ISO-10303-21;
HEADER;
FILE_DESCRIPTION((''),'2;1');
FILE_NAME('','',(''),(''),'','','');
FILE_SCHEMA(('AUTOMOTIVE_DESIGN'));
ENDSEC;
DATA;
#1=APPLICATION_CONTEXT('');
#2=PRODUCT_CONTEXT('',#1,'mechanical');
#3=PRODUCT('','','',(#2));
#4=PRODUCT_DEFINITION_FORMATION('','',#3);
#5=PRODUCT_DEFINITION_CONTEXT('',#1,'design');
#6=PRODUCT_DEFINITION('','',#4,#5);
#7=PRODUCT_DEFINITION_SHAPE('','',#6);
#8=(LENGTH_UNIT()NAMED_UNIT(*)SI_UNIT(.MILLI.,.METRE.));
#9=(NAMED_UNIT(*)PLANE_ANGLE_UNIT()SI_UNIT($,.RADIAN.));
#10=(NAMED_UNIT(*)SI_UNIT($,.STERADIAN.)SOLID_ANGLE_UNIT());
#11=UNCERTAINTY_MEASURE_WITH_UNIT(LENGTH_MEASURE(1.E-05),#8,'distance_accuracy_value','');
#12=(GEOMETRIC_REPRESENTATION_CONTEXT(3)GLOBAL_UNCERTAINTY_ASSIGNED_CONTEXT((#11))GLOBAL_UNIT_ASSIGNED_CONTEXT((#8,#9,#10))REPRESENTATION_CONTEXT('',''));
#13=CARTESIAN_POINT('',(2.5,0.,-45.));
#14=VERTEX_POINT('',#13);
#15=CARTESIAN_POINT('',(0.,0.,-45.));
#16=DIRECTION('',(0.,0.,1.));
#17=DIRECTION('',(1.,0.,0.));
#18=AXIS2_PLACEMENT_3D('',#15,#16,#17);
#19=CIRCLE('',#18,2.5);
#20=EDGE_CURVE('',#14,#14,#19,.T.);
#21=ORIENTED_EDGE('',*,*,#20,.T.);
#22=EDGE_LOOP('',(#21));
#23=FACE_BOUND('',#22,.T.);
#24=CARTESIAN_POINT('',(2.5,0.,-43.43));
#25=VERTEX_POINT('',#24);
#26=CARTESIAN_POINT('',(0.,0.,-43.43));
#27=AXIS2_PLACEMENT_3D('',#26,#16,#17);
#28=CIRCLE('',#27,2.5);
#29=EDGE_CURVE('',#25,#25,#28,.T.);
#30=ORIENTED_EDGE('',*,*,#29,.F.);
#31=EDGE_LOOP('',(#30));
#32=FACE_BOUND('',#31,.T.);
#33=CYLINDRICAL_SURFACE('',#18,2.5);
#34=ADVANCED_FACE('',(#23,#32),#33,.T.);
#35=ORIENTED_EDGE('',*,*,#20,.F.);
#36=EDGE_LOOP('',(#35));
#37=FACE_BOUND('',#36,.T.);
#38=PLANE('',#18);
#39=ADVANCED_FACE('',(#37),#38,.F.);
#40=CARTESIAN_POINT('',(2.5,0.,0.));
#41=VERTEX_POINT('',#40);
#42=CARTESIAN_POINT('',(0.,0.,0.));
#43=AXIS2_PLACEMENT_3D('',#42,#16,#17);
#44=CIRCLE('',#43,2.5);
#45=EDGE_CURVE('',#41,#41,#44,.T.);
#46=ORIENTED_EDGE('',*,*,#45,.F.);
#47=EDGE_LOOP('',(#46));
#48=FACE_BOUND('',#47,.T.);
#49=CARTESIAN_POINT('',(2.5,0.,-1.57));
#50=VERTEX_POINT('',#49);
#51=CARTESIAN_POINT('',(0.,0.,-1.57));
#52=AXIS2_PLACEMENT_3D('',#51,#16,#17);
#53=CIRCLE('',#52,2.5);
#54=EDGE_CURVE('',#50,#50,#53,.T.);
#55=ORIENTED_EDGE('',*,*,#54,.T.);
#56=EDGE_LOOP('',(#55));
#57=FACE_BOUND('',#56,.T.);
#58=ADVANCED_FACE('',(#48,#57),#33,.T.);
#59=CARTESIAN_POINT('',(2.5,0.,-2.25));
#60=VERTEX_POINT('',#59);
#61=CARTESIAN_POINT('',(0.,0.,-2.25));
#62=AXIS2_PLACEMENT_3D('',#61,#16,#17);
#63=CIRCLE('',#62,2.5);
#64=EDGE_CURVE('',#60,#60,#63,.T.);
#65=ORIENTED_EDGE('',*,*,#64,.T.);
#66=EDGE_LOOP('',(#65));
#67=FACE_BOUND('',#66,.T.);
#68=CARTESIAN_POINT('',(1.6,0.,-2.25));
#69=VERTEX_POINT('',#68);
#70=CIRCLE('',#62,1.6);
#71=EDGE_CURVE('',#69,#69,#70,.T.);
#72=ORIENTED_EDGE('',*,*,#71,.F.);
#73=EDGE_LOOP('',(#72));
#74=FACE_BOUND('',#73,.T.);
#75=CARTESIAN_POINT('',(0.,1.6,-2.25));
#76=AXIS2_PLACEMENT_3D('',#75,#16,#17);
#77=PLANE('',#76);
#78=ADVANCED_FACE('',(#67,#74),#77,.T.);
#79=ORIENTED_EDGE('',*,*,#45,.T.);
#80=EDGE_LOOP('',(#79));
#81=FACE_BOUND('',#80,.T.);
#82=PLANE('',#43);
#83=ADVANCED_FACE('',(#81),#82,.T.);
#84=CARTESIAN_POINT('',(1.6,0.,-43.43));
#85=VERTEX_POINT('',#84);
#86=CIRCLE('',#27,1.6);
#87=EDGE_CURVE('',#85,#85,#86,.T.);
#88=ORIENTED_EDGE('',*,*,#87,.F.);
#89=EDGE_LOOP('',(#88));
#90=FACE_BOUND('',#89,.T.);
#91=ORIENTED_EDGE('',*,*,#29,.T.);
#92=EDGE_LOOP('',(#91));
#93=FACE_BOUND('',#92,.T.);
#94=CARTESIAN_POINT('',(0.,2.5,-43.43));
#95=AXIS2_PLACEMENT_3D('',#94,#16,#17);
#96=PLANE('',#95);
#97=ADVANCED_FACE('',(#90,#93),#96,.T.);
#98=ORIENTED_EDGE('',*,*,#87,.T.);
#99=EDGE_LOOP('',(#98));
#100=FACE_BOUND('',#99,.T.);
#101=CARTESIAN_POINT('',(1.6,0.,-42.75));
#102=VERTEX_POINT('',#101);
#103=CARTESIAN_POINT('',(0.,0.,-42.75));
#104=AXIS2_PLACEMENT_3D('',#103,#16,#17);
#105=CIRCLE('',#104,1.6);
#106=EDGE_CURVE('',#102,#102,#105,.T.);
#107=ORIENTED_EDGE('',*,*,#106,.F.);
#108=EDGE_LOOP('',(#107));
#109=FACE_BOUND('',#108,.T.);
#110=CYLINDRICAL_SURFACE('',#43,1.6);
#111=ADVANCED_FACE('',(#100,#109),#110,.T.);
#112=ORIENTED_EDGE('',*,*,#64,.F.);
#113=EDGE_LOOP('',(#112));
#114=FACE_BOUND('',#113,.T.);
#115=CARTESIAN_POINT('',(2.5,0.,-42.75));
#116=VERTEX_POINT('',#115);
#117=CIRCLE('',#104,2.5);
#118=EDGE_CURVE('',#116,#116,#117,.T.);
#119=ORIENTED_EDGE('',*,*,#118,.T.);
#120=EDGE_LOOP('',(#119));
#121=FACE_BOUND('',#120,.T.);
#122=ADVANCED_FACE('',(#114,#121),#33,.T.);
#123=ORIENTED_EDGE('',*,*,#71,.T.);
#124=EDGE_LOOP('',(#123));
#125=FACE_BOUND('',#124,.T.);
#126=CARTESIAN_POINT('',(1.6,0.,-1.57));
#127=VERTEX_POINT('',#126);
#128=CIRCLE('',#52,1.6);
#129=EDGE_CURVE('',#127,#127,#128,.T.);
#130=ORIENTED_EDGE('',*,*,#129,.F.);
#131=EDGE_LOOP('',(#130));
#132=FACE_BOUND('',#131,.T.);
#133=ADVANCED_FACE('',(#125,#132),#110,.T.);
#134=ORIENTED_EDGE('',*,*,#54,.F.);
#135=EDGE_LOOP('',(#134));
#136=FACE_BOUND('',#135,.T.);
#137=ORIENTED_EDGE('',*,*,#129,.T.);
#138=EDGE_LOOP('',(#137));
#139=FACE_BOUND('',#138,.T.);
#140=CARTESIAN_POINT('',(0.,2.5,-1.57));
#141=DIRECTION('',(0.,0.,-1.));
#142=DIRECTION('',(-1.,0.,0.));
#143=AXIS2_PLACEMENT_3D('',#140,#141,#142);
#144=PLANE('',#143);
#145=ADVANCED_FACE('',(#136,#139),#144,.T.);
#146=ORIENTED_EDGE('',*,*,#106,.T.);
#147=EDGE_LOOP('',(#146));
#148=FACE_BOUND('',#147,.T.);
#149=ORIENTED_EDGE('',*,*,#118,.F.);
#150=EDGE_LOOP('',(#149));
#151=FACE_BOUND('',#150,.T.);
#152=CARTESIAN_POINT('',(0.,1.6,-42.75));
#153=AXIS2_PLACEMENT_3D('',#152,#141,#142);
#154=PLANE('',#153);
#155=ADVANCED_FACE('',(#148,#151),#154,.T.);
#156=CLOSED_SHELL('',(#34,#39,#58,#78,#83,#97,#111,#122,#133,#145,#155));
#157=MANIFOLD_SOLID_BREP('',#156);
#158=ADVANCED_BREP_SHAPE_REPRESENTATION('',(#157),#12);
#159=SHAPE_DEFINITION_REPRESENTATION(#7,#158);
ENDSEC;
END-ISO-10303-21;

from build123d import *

# Parameters (mm, degrees)
SKETCH1_R           = 2.5
BOSS_EXTRUDE1_DEPTH = 45
SKETCH2_W           = 0.68
SKETCH2_H           = 0.9


with BuildPart() as part:
    # Sketch1 → Boss-Extrude1 (new body)
    with BuildSketch(Plane.XY):
        Circle(SKETCH1_R)
    extrude(amount=-BOSS_EXTRUDE1_DEPTH)

    # Sketch2 → Cut-Revolve1 (revolve, cut)
    with BuildSketch(Plane(origin=(0, 0, 0), x_dir=(0, 0, -1), z_dir=(1, 0, 0))):
        with Locations((1.91, 2.05)):
            Rectangle(SKETCH2_W, SKETCH2_H)
        with Locations((43.09, 2.05)):
            Rectangle(SKETCH2_W, SKETCH2_H)
    revolve(axis=Axis((0, 0, 0), (0, 0, -1)), mode=Mode.SUBTRACT)


solid = part.part
